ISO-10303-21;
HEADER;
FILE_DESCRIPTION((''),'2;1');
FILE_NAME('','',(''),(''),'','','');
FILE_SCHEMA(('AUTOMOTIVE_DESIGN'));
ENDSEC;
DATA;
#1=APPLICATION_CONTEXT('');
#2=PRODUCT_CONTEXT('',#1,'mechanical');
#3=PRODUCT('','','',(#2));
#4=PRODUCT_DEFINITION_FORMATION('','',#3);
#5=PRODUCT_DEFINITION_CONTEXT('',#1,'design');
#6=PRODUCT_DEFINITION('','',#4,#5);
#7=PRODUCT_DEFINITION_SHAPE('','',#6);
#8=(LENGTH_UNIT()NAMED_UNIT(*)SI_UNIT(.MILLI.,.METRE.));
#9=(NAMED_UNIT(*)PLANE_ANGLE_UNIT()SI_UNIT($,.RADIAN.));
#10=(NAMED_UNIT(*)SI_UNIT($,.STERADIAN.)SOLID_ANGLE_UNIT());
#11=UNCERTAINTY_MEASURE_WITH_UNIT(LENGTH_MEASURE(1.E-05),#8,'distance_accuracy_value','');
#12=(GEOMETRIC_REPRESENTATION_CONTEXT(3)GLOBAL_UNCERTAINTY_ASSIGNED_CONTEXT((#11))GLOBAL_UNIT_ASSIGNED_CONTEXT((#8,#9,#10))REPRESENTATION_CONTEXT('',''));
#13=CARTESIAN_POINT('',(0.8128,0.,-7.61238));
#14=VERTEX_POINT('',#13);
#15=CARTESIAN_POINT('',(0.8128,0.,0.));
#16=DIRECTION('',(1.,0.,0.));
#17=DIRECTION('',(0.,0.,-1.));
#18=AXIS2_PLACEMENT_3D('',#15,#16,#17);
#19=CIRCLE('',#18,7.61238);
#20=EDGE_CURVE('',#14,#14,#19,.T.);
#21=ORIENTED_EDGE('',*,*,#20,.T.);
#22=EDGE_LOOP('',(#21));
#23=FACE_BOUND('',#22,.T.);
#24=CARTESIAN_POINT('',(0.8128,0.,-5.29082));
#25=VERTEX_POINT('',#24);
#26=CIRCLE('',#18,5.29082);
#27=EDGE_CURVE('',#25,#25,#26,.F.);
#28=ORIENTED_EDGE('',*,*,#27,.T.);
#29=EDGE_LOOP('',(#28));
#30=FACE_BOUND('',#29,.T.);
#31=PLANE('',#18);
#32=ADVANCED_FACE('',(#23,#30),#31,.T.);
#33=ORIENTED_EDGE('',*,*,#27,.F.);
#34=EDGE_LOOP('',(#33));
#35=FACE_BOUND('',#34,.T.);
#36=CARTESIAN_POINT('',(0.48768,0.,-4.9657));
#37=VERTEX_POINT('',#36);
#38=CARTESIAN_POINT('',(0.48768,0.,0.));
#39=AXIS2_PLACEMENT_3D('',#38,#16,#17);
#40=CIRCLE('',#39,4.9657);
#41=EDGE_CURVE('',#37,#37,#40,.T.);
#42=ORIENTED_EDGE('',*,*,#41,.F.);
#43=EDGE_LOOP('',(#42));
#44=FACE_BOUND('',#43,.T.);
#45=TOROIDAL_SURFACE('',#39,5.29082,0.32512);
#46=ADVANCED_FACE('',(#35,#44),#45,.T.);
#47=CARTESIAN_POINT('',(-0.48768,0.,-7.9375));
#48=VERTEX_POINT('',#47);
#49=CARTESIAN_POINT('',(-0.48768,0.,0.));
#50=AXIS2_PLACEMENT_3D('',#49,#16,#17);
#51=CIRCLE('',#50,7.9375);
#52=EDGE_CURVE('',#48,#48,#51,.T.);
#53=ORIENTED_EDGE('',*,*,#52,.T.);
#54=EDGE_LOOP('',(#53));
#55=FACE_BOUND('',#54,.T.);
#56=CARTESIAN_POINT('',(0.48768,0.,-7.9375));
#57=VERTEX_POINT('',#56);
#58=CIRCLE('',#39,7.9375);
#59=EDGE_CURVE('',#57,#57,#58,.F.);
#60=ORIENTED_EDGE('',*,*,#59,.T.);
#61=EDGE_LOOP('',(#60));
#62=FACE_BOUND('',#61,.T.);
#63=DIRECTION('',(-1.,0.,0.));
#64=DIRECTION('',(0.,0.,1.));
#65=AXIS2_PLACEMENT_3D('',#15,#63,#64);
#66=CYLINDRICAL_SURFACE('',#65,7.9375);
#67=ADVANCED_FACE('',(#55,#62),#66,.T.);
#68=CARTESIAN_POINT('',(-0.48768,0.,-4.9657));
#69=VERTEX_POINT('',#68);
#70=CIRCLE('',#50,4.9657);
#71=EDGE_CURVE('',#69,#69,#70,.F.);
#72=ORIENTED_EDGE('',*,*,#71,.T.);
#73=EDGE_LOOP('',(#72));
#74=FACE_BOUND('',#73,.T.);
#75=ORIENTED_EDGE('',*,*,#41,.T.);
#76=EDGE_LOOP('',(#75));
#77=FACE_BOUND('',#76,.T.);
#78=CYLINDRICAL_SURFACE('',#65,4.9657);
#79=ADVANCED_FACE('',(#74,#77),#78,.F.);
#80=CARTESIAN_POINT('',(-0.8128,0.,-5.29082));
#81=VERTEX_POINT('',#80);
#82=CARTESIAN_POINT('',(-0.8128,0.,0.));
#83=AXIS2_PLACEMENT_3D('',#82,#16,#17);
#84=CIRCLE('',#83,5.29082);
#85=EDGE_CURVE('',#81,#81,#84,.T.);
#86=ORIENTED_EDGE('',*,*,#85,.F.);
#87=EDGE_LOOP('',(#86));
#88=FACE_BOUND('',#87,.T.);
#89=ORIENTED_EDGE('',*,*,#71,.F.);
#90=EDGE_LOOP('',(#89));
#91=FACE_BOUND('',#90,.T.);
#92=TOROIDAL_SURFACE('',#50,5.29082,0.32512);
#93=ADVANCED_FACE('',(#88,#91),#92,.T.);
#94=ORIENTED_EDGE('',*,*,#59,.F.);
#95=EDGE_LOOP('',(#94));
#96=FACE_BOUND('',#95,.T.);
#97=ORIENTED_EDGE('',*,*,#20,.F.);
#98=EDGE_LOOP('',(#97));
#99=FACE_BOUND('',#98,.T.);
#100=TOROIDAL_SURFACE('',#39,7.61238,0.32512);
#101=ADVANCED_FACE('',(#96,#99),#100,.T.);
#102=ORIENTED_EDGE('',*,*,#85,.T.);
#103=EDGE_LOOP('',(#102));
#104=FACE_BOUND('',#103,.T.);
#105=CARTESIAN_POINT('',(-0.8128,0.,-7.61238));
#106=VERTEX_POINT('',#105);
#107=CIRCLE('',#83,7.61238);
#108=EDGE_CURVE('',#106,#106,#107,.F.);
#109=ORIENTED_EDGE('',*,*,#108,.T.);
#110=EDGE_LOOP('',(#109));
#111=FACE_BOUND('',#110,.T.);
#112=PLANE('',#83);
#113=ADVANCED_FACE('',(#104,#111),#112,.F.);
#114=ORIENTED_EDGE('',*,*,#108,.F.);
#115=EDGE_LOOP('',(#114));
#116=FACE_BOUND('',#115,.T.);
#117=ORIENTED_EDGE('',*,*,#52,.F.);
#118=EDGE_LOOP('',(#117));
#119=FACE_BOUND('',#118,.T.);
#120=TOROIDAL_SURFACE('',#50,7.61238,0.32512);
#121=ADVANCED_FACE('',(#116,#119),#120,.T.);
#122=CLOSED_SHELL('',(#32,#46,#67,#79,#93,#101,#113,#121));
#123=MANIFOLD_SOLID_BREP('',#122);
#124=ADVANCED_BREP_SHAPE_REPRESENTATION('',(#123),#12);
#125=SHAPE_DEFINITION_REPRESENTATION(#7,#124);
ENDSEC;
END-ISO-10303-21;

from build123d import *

# Parameters (mm, degrees)
SKETCH1_R           = 7.9375
SKETCH1_R_2         = 4.9657
BOSS_EXTRUDE1_DEPTH = 0.8128
FILLET1_R           = 0.32512


with BuildPart() as part:
    # Sketch1 → Boss-Extrude1 (new, symmetric)
    with BuildSketch(Plane(origin=(0, 0, 0), x_dir=(0, 0, -1), z_dir=(1, 0, 0))):
        Circle(SKETCH1_R)
        Circle(SKETCH1_R_2, mode=Mode.SUBTRACT)
    extrude(amount=BOSS_EXTRUDE1_DEPTH, both=True)

    # Fillet1
    fillet1_edges = [part.edges().sort_by_distance(p)[0] for p in [
        (-0.8128, 0, 7.9375),
        (0.8128, 0, 7.9375),
        (-0.8128, 0, 4.9657),
        (0.8128, 0, 4.9657),
    ]]
    fillet(fillet1_edges, radius=FILLET1_R)


solid = part.part
